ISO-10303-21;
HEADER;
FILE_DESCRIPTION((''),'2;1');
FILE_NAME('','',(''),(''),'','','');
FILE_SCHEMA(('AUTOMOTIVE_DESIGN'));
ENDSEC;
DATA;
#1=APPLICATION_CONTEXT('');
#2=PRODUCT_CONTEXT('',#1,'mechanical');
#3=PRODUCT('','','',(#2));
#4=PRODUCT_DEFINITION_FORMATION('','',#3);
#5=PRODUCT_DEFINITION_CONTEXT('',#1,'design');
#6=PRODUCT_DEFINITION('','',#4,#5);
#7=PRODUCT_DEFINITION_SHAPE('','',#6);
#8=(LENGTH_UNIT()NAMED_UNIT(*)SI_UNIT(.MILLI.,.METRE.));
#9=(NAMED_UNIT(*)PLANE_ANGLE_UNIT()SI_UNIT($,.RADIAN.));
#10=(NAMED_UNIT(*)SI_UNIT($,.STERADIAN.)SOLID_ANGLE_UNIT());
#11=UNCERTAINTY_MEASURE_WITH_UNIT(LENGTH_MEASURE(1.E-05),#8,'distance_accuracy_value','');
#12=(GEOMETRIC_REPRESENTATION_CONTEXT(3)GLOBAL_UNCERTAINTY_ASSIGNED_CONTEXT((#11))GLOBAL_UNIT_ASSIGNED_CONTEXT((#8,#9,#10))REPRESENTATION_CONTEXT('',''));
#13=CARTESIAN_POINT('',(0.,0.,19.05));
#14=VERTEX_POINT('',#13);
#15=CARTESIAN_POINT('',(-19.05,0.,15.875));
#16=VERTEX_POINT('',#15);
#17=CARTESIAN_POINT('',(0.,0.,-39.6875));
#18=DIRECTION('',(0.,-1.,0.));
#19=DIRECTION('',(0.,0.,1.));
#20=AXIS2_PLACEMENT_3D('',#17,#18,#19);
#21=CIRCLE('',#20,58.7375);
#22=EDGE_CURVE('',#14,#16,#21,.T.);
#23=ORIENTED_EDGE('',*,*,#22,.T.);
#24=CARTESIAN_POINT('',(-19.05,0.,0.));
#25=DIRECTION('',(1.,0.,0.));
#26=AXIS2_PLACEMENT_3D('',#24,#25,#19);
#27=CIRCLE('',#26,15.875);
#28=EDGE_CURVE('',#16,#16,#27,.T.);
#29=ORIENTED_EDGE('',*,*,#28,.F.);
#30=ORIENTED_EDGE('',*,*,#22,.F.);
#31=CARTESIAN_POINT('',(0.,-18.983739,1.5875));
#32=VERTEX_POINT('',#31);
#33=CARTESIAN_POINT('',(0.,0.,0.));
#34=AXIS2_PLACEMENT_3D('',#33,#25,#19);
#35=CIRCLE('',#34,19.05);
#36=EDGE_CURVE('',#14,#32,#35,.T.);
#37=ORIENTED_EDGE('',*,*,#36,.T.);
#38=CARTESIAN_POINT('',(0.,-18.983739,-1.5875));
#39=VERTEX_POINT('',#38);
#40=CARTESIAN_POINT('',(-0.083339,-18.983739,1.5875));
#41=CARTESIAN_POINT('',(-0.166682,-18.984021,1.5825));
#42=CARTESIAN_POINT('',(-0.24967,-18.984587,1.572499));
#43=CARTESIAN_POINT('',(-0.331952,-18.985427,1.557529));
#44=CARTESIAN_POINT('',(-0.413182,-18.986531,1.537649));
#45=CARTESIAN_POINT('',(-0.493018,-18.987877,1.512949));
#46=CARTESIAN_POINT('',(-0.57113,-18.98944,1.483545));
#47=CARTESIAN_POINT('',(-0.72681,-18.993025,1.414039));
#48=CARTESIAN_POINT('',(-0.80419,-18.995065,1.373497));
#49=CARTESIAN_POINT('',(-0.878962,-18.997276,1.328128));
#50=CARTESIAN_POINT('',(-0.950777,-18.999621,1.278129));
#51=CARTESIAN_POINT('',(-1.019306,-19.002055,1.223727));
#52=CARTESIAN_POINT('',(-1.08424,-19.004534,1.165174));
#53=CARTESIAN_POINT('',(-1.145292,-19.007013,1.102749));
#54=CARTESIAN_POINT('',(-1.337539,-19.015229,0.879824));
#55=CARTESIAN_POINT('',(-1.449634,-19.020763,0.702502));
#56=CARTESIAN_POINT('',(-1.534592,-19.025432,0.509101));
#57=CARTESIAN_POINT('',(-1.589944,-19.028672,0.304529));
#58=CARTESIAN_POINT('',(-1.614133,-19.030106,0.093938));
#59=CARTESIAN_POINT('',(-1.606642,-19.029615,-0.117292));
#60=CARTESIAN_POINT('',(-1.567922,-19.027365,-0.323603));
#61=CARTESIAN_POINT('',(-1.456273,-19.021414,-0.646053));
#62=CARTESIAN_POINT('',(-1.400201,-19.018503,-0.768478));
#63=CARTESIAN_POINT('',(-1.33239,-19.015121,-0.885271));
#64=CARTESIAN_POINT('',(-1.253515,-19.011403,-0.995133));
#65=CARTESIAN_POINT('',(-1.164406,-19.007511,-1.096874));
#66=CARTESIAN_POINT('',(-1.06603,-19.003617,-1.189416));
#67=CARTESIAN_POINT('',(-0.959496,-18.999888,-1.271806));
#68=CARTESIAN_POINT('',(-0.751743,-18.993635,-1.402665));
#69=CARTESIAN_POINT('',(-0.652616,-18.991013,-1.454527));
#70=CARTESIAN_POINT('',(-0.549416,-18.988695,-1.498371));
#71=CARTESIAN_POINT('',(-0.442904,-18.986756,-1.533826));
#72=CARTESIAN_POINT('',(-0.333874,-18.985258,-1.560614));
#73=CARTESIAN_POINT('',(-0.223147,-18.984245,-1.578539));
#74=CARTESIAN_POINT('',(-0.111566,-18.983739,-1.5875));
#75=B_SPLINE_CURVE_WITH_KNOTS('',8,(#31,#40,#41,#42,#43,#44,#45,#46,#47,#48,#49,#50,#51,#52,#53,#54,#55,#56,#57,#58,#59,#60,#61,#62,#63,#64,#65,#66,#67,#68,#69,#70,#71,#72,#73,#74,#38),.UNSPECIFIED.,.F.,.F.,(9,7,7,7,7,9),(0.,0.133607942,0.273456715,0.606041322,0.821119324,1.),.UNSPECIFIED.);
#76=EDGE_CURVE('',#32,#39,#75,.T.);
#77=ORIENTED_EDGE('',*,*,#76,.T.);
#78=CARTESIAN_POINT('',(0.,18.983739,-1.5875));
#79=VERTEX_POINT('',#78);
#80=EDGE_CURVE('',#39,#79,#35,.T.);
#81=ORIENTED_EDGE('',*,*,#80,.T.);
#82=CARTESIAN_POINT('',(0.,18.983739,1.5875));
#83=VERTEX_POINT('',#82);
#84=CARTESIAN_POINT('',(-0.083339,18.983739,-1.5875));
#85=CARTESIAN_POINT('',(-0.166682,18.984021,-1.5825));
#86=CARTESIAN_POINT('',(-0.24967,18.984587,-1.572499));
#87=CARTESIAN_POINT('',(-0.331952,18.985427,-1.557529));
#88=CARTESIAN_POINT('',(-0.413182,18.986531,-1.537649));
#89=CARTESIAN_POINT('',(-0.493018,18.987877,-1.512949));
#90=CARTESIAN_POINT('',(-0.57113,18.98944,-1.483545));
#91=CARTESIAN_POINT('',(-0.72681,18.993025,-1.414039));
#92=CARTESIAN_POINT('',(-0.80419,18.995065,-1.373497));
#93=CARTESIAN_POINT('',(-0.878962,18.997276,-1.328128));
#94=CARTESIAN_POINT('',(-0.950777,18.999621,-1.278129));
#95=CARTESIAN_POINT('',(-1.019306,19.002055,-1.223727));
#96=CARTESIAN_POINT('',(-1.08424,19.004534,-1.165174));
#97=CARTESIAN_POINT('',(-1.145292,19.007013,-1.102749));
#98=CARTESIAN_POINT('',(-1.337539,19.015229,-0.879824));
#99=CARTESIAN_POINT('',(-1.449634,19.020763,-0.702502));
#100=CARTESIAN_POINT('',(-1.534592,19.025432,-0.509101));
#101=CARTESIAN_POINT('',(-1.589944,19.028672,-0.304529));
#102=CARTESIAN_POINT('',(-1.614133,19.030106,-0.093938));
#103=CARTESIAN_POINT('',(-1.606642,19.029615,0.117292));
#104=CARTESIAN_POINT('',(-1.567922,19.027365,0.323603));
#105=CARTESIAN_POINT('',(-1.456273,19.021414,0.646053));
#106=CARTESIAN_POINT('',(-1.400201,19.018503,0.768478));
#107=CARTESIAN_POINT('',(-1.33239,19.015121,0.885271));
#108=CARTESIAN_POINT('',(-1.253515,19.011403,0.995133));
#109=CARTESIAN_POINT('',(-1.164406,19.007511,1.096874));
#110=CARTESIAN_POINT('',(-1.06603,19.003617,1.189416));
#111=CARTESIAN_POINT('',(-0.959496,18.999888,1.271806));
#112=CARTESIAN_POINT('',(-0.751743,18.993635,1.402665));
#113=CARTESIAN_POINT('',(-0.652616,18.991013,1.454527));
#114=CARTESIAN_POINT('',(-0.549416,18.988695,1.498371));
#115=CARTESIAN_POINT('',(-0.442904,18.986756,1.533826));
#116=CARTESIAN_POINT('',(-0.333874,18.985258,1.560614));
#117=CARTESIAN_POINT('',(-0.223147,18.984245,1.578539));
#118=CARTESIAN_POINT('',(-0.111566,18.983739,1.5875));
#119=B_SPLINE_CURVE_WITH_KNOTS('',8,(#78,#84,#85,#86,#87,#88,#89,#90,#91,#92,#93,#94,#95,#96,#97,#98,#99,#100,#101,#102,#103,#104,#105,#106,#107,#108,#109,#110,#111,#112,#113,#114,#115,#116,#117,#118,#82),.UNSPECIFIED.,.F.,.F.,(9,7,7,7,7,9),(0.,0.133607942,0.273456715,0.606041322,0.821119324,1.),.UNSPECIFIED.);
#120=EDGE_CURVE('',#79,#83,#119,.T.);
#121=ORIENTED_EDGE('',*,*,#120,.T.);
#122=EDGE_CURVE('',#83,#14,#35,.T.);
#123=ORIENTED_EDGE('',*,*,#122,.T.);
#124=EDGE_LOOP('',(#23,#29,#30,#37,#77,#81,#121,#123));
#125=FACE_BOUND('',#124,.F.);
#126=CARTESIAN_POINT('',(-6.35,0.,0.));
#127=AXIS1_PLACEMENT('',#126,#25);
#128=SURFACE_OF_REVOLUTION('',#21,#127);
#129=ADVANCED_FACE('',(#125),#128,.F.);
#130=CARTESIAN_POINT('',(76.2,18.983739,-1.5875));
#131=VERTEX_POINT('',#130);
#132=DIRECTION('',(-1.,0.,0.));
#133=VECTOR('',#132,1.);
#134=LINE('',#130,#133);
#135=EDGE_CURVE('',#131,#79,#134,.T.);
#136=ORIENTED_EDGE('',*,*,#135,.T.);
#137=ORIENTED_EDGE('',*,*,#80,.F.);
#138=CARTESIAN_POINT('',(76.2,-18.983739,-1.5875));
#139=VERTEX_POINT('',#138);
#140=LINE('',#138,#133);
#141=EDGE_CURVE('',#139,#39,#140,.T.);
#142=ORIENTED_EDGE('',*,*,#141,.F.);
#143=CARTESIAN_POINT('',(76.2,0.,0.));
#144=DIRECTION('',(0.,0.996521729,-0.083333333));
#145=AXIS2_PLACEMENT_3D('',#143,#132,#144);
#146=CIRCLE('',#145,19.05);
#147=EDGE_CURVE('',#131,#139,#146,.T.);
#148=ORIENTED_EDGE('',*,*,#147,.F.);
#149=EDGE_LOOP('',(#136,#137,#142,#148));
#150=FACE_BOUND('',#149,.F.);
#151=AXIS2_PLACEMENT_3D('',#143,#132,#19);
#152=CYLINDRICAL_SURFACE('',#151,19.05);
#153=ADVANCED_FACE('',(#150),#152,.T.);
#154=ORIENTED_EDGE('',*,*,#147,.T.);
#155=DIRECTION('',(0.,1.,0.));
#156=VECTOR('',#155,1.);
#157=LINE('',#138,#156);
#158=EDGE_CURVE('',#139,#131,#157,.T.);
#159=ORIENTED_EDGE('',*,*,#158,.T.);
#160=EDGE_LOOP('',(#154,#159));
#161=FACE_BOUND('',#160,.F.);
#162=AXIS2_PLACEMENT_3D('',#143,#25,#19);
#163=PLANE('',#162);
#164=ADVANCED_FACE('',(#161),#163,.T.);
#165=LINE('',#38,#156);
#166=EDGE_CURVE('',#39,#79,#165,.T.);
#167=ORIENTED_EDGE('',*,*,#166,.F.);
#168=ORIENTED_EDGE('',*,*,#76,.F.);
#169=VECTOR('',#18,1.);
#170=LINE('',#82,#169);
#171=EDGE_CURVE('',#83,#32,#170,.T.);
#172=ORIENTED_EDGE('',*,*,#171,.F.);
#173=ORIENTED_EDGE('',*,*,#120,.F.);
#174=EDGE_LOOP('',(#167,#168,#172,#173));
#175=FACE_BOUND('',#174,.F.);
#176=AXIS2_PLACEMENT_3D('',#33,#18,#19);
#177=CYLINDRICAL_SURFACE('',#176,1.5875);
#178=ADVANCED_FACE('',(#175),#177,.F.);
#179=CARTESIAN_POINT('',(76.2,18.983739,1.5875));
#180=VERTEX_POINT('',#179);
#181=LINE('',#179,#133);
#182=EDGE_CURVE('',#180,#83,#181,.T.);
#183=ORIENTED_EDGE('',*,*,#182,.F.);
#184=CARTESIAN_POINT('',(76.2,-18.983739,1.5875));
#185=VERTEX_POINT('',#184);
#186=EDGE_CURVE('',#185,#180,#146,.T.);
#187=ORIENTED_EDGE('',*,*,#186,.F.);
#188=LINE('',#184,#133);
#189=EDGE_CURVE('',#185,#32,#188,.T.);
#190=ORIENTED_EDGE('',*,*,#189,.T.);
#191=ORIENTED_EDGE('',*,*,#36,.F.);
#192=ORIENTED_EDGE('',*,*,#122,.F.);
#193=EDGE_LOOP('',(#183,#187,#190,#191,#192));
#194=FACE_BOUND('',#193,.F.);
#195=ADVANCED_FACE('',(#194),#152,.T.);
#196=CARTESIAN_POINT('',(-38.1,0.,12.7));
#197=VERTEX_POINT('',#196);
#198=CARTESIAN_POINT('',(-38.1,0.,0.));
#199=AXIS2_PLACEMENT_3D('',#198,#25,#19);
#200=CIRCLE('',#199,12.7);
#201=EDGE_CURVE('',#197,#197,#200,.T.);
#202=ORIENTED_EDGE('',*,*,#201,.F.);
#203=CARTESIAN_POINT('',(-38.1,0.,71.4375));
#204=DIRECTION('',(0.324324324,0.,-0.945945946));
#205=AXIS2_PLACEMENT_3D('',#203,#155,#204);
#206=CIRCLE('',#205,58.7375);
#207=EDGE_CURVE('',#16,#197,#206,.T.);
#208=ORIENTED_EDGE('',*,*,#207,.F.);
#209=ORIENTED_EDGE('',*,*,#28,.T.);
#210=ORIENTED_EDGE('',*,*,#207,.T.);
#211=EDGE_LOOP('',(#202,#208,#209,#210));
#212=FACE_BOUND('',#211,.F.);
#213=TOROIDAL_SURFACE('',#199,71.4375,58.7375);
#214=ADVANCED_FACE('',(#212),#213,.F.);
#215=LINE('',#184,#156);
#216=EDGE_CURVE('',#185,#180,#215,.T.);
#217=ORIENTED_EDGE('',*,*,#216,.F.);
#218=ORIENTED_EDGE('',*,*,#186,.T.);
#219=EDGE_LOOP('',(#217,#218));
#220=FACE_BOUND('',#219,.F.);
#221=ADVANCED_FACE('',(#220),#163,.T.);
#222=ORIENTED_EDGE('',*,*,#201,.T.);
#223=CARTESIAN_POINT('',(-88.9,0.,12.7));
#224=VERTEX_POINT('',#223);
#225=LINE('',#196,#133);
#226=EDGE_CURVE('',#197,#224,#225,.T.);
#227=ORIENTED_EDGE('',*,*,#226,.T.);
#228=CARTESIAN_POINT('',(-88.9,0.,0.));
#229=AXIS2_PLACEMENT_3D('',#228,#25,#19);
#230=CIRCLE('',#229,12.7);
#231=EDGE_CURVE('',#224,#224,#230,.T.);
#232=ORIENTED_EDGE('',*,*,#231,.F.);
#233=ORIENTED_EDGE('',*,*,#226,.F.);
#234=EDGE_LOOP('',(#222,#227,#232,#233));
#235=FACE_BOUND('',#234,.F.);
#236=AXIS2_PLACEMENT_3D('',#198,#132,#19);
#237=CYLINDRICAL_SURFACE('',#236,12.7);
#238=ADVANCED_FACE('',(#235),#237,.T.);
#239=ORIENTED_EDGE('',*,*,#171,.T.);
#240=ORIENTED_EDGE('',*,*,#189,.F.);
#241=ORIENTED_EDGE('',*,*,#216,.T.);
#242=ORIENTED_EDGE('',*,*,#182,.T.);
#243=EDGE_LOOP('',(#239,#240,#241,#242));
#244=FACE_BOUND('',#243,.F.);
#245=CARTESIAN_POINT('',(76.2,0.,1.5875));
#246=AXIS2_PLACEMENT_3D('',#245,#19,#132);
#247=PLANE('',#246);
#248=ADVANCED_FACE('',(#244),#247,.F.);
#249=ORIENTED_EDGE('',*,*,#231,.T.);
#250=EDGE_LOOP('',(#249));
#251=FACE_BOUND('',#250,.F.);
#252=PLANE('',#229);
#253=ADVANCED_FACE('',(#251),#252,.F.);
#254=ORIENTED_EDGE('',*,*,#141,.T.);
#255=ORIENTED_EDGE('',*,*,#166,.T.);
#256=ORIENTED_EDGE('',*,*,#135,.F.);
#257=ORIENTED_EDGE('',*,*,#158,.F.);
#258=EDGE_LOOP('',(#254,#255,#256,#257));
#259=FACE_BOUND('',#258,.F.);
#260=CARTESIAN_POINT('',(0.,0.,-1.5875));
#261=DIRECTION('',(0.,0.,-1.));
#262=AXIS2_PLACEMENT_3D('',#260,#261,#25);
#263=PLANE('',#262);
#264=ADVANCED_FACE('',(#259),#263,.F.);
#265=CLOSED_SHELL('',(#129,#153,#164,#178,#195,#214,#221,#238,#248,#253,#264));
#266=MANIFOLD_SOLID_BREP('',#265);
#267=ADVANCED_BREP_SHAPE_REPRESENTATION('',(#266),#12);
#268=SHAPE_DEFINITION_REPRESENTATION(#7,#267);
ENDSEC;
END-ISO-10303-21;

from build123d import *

# Parameters (mm, degrees)
F3_DEPTH      = 19.0510001
F3_DEPTH_BACK = 19.0510001


with BuildPart() as f1:
    # F0 (on Front) → F1 (revolve)
    with BuildSketch(Plane.XZ):
        with BuildLine():
            Line((-38.1, 12.7), (-88.9, 12.7))
            Line((-88.9, 12.7), (-88.9, 0))
            Line((-88.9, 0), (76.2, 0))
            Line((76.2, 0), (76.2, 19.05))
            Line((76.2, 19.05), (0, 19.05))
            ThreePointArc((0, 19.05), (-9.6563855168, 18.2508131011), (-19.05, 15.875))
            ThreePointArc((-19.05, 15.875), (-28.4436144832, 13.4991868989), (-38.1, 12.7))
        make_face()
    revolve(axis=Axis((-6.35, 0, 0), (1, 0, 0)))

    # F2 (on Front) → F3 (cut, two sides)
    with BuildSketch(Plane.XZ) as f3_sk:
        with BuildLine():
            Line((76.2, -1.5875), (76.2, 1.5875))
            Line((76.2, 1.5875), (0, 1.5875))
            ThreePointArc((0, 1.5875), (-1.5875, 0), (0, -1.5875))
            Line((0, -1.5875), (76.2, -1.5875))
        make_face()
    extrude(amount=-F3_DEPTH, mode=Mode.SUBTRACT)
    extrude(f3_sk.sketch, amount=F3_DEPTH_BACK, mode=Mode.SUBTRACT)


solid = f1.part
